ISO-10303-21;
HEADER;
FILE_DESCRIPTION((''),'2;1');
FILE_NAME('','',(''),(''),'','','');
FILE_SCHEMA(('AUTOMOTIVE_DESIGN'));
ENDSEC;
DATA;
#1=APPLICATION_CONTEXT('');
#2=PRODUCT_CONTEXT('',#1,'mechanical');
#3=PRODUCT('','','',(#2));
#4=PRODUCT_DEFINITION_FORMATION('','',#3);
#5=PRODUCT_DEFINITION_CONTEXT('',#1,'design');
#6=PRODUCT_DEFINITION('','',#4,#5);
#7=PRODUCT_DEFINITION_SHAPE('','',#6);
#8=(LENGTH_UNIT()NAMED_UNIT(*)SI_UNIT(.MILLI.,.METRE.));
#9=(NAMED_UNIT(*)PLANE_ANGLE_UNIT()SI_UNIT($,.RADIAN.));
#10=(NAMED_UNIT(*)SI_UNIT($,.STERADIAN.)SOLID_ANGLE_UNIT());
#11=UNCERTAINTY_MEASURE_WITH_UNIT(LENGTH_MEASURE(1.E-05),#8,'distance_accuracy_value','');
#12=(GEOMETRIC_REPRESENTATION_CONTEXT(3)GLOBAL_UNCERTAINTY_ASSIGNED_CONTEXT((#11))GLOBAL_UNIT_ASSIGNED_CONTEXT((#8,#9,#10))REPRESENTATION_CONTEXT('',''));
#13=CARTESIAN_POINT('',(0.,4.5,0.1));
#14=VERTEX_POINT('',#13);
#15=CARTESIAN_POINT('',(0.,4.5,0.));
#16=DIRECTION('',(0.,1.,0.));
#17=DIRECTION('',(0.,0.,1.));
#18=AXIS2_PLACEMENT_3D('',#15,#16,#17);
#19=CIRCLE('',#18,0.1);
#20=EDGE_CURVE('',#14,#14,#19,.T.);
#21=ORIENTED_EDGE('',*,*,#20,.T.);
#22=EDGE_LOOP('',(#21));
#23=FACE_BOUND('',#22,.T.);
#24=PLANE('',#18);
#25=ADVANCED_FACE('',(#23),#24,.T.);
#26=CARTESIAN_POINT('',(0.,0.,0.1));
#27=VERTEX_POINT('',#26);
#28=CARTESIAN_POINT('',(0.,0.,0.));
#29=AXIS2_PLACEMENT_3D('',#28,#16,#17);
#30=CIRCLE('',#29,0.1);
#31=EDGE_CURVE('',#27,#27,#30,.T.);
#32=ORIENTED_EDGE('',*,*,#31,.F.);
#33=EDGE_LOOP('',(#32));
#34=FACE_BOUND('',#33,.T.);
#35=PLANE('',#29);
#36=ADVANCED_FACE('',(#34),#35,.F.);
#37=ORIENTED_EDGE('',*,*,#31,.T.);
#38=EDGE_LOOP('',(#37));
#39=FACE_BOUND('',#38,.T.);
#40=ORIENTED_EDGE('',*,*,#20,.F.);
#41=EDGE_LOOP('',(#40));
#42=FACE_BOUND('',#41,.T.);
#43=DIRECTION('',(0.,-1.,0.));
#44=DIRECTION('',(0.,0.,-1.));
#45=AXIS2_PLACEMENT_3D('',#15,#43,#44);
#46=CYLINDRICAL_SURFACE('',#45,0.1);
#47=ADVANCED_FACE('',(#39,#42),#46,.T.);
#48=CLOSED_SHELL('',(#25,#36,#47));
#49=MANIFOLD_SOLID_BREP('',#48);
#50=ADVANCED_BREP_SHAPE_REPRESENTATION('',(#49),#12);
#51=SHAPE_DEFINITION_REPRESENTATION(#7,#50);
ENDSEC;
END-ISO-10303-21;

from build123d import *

# Parameters (mm, degrees)
SKETCH_1_R      = 0.1
EXTRUDE_1_DEPTH = 4.5


with BuildPart() as part:
    # Эскиз1 → Бобышка-Вытянуть1 (new body)
    with BuildSketch(Plane(origin=(0, 0, 0), x_dir=(1, 0, 0), z_dir=(0, 1, 0))):
        with Locations(Location((0, 0, 0), (0, 0, 270))):
            Circle(SKETCH_1_R)
    extrude(amount=EXTRUDE_1_DEPTH)


solid = part.part
